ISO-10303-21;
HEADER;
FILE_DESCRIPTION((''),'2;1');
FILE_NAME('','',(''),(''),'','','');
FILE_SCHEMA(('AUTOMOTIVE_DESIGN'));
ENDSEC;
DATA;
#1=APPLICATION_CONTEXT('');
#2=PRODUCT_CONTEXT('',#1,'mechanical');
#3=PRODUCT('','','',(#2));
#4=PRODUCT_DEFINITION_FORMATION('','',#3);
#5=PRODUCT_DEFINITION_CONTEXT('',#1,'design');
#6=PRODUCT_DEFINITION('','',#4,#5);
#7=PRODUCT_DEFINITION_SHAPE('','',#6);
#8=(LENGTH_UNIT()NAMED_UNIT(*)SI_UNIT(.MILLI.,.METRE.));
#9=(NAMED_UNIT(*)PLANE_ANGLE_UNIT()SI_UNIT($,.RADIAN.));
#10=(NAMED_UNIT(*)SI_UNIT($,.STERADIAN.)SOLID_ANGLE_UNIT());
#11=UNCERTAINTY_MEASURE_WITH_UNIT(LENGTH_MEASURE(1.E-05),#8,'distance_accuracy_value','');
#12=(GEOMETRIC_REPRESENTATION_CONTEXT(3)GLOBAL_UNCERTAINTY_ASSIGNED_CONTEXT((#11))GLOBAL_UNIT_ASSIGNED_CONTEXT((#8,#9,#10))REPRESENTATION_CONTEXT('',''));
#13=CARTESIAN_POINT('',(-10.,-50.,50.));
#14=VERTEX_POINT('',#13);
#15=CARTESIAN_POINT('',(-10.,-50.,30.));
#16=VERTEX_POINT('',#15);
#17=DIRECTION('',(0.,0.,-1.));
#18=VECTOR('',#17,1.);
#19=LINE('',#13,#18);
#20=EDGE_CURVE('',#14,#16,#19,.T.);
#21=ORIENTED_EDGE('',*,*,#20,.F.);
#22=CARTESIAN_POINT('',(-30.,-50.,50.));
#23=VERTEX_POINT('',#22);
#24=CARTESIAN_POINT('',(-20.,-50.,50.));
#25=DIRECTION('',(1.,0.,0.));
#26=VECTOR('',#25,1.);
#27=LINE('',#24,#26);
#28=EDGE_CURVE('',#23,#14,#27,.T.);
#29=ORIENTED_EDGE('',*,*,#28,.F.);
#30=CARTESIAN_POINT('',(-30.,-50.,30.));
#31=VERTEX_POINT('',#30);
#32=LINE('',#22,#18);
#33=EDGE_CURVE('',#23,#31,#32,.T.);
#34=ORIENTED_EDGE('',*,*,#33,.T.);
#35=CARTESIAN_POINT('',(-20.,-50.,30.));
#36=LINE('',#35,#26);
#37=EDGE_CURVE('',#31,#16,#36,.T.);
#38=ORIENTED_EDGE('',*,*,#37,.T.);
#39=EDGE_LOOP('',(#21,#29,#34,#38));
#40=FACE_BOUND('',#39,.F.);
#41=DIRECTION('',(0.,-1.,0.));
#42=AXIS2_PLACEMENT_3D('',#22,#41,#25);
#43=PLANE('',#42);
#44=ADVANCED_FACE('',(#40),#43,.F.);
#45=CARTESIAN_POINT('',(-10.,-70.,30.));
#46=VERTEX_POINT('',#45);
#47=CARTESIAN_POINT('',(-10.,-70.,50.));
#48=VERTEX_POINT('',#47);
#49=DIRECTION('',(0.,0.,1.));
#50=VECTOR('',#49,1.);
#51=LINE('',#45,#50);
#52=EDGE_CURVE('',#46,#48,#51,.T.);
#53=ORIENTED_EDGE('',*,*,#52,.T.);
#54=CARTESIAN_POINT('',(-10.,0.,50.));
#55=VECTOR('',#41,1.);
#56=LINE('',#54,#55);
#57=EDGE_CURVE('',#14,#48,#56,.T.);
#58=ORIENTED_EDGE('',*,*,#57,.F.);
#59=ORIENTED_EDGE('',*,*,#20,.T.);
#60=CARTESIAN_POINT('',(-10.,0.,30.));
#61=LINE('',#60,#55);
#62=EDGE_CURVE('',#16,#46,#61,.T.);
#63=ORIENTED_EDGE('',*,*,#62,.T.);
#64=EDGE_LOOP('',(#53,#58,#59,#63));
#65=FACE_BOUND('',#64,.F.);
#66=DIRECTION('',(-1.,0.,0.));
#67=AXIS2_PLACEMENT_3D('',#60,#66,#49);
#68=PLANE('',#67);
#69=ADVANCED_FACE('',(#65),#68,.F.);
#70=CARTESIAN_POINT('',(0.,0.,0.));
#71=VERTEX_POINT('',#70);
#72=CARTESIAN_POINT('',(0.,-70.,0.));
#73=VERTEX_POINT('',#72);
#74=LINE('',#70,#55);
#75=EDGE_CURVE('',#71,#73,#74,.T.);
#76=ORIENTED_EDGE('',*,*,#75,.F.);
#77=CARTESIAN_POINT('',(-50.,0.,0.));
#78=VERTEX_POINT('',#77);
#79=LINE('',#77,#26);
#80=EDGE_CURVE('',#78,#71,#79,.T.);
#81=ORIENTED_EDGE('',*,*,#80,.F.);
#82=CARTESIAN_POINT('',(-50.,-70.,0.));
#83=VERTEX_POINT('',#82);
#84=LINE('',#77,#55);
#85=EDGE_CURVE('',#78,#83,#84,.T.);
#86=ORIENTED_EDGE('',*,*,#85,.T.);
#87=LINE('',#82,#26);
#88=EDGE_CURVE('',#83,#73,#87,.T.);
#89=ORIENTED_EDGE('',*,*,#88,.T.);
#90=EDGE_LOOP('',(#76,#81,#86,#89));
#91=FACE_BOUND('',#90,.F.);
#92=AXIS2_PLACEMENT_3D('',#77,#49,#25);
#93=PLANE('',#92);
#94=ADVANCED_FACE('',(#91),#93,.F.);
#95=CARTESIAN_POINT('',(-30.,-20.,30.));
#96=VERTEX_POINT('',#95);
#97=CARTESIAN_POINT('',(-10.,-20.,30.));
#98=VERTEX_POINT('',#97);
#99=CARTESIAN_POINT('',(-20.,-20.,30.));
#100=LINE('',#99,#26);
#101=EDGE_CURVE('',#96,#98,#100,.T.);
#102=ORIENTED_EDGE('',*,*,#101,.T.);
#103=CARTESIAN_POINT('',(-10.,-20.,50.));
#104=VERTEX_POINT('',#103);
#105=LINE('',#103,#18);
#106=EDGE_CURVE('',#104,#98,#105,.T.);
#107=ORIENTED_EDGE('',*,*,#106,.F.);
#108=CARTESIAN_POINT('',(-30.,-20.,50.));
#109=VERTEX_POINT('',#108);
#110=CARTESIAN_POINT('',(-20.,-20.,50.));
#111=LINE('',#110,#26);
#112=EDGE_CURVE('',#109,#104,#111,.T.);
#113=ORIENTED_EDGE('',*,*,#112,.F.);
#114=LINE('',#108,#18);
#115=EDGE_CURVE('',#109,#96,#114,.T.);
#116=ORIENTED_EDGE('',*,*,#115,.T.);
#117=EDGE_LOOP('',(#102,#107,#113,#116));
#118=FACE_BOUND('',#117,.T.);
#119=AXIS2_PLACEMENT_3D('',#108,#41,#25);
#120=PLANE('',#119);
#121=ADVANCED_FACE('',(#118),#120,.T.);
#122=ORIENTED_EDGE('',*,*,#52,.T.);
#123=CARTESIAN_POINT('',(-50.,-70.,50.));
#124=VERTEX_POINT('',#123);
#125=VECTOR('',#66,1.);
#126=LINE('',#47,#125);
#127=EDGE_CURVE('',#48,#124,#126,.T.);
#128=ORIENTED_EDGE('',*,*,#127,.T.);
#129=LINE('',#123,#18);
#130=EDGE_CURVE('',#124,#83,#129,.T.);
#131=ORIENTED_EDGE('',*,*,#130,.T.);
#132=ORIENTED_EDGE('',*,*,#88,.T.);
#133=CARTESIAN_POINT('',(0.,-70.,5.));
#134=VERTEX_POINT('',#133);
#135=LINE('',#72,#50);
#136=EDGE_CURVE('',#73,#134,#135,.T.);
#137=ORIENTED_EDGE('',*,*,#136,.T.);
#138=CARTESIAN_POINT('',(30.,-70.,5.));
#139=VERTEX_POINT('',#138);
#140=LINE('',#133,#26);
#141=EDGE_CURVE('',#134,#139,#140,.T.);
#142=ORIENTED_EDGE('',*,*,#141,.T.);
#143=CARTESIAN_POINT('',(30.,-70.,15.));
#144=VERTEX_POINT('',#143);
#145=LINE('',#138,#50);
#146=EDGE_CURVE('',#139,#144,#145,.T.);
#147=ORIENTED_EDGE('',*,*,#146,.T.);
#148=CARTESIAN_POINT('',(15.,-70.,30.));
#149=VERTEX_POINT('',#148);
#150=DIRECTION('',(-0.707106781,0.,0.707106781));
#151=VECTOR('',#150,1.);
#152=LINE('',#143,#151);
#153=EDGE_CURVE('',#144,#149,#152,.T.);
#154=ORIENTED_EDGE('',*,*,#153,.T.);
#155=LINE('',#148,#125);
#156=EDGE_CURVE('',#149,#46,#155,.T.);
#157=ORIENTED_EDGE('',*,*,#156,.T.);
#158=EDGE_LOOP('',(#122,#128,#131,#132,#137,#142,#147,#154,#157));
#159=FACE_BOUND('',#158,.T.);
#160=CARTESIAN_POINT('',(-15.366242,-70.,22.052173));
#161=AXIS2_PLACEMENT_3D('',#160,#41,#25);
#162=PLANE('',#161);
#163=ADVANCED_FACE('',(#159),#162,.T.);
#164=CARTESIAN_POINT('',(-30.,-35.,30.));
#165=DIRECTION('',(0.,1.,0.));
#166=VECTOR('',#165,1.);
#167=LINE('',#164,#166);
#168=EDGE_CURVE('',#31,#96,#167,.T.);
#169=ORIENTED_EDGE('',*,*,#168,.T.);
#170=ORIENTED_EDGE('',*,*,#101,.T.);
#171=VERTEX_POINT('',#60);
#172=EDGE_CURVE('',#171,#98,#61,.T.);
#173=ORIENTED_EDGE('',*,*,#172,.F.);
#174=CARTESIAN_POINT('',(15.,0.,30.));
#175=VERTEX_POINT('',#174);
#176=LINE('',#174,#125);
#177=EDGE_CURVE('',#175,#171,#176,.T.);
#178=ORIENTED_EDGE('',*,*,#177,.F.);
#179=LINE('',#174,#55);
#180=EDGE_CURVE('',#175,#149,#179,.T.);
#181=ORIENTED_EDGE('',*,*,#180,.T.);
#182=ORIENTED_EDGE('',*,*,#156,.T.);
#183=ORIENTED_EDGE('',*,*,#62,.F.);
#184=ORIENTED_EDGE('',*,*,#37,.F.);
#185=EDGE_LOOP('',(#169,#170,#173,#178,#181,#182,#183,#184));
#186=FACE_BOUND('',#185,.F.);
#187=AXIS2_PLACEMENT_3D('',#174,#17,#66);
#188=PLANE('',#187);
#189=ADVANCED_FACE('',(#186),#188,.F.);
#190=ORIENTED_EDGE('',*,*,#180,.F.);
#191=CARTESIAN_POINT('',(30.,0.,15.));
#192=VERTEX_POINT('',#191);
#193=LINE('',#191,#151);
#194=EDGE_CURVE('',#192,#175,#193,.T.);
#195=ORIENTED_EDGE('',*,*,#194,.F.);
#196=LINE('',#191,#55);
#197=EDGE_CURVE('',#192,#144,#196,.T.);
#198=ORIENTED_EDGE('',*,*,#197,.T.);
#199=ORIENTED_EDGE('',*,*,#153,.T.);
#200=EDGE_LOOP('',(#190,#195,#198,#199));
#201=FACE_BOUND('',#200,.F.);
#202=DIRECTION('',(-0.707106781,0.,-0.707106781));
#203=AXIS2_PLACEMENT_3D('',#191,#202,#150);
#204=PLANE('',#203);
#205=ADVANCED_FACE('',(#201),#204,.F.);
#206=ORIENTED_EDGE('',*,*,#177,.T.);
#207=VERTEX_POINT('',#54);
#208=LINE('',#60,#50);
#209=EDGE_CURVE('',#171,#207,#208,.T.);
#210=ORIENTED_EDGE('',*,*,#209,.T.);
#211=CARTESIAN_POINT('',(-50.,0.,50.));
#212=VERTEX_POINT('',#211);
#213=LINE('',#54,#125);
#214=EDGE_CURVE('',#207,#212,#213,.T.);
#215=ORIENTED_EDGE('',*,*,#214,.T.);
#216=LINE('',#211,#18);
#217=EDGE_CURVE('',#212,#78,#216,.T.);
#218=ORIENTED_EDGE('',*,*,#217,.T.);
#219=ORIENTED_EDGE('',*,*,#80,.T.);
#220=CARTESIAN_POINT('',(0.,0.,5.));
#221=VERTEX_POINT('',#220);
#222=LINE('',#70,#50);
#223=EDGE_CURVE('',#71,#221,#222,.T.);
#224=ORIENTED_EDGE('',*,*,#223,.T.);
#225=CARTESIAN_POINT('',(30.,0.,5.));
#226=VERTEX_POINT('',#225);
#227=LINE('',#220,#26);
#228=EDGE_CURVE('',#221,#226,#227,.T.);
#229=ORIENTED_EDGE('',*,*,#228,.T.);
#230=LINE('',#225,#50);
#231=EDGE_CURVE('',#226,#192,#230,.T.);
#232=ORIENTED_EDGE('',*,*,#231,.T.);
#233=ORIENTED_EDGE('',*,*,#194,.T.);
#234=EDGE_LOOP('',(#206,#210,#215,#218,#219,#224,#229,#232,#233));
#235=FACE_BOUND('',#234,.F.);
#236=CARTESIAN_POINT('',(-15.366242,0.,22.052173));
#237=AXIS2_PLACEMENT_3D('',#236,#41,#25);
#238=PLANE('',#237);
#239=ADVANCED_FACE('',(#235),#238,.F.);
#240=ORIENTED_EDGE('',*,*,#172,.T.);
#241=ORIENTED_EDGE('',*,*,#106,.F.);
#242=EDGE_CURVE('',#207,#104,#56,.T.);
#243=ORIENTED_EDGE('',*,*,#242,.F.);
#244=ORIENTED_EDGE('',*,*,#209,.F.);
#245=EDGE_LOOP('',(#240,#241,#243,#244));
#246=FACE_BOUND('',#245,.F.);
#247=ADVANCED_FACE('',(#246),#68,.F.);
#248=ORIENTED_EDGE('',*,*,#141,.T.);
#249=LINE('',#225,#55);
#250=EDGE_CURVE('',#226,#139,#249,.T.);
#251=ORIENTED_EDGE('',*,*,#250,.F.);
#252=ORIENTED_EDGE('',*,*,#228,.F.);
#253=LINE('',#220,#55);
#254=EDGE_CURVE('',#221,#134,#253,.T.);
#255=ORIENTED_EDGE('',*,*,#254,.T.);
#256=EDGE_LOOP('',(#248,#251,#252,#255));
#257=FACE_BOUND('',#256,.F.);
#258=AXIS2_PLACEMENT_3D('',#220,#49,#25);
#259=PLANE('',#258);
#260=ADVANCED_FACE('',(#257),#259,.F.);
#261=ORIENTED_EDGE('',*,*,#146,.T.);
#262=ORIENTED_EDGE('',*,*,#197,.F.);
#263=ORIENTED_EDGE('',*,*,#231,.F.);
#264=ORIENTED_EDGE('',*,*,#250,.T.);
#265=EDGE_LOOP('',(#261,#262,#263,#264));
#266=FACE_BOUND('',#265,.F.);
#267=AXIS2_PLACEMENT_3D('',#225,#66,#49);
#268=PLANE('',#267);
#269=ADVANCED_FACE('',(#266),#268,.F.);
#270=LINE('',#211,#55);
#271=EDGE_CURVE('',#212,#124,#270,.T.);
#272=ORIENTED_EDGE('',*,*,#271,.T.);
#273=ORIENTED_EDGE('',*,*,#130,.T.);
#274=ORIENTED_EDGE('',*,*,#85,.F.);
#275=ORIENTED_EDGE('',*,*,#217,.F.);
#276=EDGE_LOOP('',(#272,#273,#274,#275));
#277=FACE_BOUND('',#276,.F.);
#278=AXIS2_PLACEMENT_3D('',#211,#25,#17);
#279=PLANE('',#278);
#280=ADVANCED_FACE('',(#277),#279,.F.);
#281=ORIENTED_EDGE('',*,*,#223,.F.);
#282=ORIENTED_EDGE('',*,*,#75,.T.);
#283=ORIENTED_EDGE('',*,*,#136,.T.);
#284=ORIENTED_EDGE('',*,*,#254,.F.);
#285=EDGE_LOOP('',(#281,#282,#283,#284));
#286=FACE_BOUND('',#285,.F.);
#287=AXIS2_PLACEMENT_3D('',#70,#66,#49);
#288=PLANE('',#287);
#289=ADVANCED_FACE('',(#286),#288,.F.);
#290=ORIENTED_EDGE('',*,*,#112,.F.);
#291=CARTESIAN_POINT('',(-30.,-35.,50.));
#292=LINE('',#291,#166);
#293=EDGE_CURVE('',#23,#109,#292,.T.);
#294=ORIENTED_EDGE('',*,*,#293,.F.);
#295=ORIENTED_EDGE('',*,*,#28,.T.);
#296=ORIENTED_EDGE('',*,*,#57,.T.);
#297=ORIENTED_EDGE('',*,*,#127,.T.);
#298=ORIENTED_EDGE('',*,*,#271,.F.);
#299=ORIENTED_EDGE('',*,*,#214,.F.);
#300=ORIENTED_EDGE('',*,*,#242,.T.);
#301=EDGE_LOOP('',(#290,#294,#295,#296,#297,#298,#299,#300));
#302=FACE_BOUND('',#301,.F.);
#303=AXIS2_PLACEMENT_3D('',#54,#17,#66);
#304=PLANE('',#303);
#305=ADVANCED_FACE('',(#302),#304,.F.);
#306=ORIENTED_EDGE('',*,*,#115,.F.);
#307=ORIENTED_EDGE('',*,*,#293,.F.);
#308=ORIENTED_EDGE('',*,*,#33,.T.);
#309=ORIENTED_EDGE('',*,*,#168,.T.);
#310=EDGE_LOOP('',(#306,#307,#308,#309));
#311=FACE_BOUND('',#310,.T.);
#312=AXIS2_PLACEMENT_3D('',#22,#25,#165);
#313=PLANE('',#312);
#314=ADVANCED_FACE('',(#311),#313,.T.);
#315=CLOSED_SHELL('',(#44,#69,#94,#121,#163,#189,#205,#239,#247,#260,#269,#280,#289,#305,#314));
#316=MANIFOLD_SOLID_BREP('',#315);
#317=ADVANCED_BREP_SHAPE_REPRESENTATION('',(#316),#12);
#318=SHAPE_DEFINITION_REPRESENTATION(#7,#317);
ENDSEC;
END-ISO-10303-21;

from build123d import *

# Parameters (mm, degrees)
F1_DEPTH = 70
F2_W     = 20
F2_H     = 30
F3_DEPTH = 20


with BuildPart() as f1:
    # F0 (on Front) → F1 (new body)
    with BuildSketch(Plane.XZ):
        Polygon((-50, 50), (-50, 0), (0, 0), (0, 5), (30, 5), (30, 15), (15, 30), (-10, 30), (-10, 50), align=None)
    extrude(amount=F1_DEPTH)

    # F2 (on face) → F3 (cut)
    with BuildSketch(Plane.XY.offset(50)):
        with Locations((-20, -35)):
            Rectangle(F2_W, F2_H)
    extrude(amount=-F3_DEPTH, mode=Mode.SUBTRACT)


solid = f1.part
